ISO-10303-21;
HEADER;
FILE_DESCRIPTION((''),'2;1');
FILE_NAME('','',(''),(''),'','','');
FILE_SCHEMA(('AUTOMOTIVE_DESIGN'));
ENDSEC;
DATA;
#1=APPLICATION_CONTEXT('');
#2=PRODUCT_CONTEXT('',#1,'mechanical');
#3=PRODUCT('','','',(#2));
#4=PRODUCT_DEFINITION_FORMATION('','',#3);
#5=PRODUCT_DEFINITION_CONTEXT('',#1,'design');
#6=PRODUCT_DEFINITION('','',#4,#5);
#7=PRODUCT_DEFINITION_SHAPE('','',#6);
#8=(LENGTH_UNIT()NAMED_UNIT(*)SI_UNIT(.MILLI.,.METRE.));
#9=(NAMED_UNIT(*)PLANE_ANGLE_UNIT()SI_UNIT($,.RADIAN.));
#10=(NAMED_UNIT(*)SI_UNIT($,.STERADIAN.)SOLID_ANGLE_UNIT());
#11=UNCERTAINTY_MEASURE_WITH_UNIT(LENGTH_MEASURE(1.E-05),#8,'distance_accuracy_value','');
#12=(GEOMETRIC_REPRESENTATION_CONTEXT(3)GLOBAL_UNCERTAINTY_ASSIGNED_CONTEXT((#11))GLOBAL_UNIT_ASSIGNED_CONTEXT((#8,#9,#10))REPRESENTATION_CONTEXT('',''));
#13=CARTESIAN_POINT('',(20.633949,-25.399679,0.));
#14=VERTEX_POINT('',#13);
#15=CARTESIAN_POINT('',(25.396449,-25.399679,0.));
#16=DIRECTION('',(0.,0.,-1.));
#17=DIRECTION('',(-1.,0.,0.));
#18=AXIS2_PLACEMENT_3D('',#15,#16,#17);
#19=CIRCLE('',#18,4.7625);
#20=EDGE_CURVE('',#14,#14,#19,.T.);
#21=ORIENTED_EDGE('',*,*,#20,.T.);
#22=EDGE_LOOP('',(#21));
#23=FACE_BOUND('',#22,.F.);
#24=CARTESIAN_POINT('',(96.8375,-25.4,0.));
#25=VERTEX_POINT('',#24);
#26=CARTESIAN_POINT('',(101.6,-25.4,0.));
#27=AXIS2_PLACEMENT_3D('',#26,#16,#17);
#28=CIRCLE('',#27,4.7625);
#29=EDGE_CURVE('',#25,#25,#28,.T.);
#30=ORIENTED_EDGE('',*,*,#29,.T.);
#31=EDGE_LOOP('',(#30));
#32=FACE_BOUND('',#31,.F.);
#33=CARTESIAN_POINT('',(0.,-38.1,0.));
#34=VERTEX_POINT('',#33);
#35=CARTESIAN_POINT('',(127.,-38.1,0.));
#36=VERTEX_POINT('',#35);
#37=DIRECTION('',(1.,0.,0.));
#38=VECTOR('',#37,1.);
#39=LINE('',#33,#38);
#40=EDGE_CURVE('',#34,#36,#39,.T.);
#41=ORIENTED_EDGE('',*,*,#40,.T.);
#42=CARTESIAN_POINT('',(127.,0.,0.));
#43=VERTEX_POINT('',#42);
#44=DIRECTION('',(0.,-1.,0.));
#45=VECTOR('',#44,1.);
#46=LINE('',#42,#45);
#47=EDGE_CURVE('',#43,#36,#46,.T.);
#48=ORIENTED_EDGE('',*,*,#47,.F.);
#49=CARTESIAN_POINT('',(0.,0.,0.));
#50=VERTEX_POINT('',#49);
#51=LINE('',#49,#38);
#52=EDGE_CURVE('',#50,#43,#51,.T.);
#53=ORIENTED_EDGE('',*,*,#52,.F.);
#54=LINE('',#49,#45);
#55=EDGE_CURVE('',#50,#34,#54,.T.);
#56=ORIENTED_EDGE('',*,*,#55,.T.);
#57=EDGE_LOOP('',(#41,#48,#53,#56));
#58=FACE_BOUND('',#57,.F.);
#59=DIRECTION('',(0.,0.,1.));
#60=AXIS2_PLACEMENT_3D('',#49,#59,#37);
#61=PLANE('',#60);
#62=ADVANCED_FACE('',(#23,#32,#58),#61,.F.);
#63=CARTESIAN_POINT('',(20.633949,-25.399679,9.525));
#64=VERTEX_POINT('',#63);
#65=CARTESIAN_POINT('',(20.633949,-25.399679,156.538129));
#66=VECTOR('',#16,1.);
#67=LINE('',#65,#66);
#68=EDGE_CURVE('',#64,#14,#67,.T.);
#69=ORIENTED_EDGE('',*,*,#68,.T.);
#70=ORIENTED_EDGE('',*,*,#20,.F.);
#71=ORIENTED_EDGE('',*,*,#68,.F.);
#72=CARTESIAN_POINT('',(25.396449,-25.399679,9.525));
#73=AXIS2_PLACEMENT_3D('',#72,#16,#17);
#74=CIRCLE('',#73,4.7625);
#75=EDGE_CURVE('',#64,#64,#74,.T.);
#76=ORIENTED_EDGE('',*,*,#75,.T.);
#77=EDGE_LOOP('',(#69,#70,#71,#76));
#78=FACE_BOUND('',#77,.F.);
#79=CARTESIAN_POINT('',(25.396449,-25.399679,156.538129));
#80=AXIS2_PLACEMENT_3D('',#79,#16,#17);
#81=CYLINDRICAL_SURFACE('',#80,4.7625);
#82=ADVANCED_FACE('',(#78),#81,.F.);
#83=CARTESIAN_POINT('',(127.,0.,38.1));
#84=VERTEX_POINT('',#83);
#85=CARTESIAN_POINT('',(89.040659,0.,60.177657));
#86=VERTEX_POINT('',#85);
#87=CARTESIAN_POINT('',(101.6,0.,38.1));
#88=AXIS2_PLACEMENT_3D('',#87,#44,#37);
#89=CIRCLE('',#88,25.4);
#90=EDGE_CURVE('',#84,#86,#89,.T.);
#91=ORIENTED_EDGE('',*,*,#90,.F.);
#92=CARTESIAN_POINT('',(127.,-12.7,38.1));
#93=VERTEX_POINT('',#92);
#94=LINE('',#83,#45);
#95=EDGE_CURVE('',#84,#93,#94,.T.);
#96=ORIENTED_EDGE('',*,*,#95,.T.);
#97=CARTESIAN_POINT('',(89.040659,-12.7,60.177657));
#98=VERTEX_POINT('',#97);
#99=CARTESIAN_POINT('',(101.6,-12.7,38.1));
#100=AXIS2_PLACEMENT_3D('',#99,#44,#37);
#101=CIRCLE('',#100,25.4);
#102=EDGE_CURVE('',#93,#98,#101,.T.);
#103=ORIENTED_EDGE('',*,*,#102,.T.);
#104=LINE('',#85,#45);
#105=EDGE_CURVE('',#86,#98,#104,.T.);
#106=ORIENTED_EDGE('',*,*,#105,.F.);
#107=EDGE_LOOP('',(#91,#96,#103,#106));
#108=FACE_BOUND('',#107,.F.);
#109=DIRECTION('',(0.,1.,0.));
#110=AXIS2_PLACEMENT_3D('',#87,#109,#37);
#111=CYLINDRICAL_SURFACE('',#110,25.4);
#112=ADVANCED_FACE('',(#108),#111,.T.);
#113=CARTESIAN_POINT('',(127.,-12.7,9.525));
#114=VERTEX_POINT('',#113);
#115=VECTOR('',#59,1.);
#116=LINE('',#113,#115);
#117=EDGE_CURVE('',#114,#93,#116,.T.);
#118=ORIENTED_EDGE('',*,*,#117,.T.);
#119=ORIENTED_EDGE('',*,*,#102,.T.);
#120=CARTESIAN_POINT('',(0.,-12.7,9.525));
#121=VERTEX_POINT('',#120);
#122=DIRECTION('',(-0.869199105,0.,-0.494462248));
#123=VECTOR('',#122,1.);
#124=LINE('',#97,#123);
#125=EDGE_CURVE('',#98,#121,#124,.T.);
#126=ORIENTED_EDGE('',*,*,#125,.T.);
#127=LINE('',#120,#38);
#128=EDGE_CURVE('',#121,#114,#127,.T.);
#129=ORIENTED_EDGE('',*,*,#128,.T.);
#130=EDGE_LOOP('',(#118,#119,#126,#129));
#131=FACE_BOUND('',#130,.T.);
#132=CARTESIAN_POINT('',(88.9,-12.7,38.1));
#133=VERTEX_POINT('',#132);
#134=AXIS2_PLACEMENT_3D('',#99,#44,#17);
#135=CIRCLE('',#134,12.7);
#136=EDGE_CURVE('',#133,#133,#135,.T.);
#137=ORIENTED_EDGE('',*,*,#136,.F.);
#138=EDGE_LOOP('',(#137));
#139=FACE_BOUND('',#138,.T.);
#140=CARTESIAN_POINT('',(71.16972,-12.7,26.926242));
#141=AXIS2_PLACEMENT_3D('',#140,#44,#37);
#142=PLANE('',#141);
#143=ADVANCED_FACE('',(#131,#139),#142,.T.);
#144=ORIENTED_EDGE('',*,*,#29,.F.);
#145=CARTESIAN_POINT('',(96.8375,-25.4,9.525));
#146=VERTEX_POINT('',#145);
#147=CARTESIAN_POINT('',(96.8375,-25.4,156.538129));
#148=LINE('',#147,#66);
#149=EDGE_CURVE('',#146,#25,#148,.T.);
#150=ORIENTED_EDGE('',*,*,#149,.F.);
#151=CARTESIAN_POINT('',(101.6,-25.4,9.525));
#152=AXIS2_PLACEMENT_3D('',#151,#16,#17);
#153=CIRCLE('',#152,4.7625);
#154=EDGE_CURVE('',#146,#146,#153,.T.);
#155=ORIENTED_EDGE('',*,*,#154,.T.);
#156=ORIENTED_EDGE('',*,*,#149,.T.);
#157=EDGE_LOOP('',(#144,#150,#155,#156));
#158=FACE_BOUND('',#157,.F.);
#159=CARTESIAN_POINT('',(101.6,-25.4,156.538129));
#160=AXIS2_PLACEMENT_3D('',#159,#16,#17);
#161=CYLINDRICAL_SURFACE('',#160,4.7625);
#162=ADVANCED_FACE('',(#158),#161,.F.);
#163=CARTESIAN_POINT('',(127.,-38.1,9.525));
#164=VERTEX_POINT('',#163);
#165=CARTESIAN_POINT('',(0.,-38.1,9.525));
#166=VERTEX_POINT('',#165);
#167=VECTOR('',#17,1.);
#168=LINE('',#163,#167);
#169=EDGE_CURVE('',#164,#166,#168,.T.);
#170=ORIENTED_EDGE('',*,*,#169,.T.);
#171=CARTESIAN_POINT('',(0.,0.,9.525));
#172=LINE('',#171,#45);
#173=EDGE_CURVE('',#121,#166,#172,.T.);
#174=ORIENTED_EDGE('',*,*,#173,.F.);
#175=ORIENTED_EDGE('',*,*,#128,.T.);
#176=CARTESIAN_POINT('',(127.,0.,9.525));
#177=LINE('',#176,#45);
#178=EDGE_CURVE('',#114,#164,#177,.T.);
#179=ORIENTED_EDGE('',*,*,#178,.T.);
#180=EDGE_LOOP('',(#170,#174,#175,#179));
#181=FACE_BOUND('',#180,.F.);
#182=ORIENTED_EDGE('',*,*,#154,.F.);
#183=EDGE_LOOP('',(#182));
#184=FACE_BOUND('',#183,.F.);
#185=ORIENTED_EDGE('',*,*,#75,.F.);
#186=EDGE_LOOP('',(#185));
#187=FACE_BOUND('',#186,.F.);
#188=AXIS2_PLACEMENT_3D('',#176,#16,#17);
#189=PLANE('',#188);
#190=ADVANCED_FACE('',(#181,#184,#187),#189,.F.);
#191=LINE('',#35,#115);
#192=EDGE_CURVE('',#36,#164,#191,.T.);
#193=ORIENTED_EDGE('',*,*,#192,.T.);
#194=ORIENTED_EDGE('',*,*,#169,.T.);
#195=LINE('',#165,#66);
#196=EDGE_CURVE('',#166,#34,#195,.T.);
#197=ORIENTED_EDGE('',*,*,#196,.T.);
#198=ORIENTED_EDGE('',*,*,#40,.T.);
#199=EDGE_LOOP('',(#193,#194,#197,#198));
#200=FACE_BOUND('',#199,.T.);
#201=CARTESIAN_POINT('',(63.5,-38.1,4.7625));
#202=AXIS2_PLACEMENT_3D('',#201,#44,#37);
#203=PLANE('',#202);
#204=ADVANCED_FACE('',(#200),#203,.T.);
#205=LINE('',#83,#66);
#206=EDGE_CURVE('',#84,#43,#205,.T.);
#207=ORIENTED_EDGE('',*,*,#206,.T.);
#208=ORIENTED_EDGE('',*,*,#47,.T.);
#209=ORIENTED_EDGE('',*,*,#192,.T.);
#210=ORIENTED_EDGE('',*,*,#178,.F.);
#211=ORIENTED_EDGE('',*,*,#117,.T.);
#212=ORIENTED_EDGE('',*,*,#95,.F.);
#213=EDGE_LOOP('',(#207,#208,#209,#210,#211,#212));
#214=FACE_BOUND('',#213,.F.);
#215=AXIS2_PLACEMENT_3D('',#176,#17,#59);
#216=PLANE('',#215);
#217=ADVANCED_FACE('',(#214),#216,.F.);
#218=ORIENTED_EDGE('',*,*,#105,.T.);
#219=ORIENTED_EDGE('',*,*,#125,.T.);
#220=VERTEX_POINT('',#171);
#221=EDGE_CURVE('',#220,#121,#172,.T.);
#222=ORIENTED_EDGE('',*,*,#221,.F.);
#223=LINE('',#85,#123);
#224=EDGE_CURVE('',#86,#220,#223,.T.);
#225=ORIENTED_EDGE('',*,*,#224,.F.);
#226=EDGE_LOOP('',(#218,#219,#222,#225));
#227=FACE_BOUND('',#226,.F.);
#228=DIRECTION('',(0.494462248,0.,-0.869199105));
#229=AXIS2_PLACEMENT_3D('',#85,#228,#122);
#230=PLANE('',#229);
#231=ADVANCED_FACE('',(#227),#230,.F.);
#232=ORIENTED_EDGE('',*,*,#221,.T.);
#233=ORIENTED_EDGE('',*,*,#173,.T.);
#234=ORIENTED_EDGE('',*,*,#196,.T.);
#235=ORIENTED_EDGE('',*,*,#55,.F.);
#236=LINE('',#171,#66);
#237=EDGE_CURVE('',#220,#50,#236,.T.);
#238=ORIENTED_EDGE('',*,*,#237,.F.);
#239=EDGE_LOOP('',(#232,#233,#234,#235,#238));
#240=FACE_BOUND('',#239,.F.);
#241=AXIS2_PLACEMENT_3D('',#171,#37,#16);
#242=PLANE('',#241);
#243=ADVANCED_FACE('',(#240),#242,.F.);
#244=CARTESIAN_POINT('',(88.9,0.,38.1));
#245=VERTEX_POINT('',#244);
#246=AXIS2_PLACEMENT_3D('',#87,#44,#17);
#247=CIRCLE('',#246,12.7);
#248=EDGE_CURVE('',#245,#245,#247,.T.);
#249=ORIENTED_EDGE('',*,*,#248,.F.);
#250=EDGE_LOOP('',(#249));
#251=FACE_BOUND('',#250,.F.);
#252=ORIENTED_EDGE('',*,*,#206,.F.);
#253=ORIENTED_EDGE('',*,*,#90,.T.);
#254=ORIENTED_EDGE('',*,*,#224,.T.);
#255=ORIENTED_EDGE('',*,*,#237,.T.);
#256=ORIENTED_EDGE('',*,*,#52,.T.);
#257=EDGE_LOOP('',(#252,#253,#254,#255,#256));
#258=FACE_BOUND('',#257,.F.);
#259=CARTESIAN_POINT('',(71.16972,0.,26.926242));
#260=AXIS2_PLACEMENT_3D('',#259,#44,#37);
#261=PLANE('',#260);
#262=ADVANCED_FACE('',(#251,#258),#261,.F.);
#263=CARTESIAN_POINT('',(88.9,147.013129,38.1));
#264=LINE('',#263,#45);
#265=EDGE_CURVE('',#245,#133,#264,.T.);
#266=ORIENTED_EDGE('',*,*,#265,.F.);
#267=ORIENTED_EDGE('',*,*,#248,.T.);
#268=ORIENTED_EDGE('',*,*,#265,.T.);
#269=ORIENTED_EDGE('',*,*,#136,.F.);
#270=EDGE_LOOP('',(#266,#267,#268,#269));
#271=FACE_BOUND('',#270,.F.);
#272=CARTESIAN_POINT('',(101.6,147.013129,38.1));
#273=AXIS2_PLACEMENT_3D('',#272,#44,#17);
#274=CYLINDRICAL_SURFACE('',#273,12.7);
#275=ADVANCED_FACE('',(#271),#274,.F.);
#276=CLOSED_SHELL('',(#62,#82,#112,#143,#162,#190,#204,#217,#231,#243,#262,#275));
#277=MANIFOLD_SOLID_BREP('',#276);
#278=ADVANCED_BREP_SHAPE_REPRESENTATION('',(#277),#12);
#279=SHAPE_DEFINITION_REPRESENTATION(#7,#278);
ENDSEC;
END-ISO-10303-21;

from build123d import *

# Parameters (mm, degrees)
F1_DEPTH = 38.1
F2_DEPTH = 12.7
F5_D     = 9.525
F6_D     = 9.525
F7_D     = 25.4


with BuildPart() as f1:
    # F0 (on Front) → F1 (new body)
    with BuildSketch(Plane.XZ):
        Polygon((0, 9.525), (0, 0), (127, 0), (127, 9.525), (101.6, 9.525), align=None)
    extrude(amount=F1_DEPTH)

    # F0 (on Front) → F2 (join)
    with BuildSketch(Plane.XZ):
        with BuildLine():
            Line((89.0406588905, 60.1776572782), (0, 9.525))
            Line((0, 9.525), (101.6, 9.525))
            Line((101.6, 9.525), (127, 9.525))
            Line((127, 9.525), (127, 38.1))
            ThreePointArc((127, 38.1), (114.3701357827, 60.0564029862), (89.0406588905, 60.1776572782))
        make_face()
    extrude(amount=F2_DEPTH)

    # F5 (through all)
    with Locations(Plane.XY.offset(9.525)):
        with Locations((25.3964494914, -25.3996793181)):
            Hole(F5_D / 2)

    # F6 (through all)
    with Locations(Plane.XY.offset(9.525)):
        with Locations((101.6, -25.4)):
            Hole(F6_D / 2)

    # F7 (through all)
    with Locations(Plane(origin=(0, 0, 0), x_dir=(1, 0, 0), z_dir=(0, 1, 0))):
        with Locations((101.6, -38.1)):
            Hole(F7_D / 2)


solid = f1.part
